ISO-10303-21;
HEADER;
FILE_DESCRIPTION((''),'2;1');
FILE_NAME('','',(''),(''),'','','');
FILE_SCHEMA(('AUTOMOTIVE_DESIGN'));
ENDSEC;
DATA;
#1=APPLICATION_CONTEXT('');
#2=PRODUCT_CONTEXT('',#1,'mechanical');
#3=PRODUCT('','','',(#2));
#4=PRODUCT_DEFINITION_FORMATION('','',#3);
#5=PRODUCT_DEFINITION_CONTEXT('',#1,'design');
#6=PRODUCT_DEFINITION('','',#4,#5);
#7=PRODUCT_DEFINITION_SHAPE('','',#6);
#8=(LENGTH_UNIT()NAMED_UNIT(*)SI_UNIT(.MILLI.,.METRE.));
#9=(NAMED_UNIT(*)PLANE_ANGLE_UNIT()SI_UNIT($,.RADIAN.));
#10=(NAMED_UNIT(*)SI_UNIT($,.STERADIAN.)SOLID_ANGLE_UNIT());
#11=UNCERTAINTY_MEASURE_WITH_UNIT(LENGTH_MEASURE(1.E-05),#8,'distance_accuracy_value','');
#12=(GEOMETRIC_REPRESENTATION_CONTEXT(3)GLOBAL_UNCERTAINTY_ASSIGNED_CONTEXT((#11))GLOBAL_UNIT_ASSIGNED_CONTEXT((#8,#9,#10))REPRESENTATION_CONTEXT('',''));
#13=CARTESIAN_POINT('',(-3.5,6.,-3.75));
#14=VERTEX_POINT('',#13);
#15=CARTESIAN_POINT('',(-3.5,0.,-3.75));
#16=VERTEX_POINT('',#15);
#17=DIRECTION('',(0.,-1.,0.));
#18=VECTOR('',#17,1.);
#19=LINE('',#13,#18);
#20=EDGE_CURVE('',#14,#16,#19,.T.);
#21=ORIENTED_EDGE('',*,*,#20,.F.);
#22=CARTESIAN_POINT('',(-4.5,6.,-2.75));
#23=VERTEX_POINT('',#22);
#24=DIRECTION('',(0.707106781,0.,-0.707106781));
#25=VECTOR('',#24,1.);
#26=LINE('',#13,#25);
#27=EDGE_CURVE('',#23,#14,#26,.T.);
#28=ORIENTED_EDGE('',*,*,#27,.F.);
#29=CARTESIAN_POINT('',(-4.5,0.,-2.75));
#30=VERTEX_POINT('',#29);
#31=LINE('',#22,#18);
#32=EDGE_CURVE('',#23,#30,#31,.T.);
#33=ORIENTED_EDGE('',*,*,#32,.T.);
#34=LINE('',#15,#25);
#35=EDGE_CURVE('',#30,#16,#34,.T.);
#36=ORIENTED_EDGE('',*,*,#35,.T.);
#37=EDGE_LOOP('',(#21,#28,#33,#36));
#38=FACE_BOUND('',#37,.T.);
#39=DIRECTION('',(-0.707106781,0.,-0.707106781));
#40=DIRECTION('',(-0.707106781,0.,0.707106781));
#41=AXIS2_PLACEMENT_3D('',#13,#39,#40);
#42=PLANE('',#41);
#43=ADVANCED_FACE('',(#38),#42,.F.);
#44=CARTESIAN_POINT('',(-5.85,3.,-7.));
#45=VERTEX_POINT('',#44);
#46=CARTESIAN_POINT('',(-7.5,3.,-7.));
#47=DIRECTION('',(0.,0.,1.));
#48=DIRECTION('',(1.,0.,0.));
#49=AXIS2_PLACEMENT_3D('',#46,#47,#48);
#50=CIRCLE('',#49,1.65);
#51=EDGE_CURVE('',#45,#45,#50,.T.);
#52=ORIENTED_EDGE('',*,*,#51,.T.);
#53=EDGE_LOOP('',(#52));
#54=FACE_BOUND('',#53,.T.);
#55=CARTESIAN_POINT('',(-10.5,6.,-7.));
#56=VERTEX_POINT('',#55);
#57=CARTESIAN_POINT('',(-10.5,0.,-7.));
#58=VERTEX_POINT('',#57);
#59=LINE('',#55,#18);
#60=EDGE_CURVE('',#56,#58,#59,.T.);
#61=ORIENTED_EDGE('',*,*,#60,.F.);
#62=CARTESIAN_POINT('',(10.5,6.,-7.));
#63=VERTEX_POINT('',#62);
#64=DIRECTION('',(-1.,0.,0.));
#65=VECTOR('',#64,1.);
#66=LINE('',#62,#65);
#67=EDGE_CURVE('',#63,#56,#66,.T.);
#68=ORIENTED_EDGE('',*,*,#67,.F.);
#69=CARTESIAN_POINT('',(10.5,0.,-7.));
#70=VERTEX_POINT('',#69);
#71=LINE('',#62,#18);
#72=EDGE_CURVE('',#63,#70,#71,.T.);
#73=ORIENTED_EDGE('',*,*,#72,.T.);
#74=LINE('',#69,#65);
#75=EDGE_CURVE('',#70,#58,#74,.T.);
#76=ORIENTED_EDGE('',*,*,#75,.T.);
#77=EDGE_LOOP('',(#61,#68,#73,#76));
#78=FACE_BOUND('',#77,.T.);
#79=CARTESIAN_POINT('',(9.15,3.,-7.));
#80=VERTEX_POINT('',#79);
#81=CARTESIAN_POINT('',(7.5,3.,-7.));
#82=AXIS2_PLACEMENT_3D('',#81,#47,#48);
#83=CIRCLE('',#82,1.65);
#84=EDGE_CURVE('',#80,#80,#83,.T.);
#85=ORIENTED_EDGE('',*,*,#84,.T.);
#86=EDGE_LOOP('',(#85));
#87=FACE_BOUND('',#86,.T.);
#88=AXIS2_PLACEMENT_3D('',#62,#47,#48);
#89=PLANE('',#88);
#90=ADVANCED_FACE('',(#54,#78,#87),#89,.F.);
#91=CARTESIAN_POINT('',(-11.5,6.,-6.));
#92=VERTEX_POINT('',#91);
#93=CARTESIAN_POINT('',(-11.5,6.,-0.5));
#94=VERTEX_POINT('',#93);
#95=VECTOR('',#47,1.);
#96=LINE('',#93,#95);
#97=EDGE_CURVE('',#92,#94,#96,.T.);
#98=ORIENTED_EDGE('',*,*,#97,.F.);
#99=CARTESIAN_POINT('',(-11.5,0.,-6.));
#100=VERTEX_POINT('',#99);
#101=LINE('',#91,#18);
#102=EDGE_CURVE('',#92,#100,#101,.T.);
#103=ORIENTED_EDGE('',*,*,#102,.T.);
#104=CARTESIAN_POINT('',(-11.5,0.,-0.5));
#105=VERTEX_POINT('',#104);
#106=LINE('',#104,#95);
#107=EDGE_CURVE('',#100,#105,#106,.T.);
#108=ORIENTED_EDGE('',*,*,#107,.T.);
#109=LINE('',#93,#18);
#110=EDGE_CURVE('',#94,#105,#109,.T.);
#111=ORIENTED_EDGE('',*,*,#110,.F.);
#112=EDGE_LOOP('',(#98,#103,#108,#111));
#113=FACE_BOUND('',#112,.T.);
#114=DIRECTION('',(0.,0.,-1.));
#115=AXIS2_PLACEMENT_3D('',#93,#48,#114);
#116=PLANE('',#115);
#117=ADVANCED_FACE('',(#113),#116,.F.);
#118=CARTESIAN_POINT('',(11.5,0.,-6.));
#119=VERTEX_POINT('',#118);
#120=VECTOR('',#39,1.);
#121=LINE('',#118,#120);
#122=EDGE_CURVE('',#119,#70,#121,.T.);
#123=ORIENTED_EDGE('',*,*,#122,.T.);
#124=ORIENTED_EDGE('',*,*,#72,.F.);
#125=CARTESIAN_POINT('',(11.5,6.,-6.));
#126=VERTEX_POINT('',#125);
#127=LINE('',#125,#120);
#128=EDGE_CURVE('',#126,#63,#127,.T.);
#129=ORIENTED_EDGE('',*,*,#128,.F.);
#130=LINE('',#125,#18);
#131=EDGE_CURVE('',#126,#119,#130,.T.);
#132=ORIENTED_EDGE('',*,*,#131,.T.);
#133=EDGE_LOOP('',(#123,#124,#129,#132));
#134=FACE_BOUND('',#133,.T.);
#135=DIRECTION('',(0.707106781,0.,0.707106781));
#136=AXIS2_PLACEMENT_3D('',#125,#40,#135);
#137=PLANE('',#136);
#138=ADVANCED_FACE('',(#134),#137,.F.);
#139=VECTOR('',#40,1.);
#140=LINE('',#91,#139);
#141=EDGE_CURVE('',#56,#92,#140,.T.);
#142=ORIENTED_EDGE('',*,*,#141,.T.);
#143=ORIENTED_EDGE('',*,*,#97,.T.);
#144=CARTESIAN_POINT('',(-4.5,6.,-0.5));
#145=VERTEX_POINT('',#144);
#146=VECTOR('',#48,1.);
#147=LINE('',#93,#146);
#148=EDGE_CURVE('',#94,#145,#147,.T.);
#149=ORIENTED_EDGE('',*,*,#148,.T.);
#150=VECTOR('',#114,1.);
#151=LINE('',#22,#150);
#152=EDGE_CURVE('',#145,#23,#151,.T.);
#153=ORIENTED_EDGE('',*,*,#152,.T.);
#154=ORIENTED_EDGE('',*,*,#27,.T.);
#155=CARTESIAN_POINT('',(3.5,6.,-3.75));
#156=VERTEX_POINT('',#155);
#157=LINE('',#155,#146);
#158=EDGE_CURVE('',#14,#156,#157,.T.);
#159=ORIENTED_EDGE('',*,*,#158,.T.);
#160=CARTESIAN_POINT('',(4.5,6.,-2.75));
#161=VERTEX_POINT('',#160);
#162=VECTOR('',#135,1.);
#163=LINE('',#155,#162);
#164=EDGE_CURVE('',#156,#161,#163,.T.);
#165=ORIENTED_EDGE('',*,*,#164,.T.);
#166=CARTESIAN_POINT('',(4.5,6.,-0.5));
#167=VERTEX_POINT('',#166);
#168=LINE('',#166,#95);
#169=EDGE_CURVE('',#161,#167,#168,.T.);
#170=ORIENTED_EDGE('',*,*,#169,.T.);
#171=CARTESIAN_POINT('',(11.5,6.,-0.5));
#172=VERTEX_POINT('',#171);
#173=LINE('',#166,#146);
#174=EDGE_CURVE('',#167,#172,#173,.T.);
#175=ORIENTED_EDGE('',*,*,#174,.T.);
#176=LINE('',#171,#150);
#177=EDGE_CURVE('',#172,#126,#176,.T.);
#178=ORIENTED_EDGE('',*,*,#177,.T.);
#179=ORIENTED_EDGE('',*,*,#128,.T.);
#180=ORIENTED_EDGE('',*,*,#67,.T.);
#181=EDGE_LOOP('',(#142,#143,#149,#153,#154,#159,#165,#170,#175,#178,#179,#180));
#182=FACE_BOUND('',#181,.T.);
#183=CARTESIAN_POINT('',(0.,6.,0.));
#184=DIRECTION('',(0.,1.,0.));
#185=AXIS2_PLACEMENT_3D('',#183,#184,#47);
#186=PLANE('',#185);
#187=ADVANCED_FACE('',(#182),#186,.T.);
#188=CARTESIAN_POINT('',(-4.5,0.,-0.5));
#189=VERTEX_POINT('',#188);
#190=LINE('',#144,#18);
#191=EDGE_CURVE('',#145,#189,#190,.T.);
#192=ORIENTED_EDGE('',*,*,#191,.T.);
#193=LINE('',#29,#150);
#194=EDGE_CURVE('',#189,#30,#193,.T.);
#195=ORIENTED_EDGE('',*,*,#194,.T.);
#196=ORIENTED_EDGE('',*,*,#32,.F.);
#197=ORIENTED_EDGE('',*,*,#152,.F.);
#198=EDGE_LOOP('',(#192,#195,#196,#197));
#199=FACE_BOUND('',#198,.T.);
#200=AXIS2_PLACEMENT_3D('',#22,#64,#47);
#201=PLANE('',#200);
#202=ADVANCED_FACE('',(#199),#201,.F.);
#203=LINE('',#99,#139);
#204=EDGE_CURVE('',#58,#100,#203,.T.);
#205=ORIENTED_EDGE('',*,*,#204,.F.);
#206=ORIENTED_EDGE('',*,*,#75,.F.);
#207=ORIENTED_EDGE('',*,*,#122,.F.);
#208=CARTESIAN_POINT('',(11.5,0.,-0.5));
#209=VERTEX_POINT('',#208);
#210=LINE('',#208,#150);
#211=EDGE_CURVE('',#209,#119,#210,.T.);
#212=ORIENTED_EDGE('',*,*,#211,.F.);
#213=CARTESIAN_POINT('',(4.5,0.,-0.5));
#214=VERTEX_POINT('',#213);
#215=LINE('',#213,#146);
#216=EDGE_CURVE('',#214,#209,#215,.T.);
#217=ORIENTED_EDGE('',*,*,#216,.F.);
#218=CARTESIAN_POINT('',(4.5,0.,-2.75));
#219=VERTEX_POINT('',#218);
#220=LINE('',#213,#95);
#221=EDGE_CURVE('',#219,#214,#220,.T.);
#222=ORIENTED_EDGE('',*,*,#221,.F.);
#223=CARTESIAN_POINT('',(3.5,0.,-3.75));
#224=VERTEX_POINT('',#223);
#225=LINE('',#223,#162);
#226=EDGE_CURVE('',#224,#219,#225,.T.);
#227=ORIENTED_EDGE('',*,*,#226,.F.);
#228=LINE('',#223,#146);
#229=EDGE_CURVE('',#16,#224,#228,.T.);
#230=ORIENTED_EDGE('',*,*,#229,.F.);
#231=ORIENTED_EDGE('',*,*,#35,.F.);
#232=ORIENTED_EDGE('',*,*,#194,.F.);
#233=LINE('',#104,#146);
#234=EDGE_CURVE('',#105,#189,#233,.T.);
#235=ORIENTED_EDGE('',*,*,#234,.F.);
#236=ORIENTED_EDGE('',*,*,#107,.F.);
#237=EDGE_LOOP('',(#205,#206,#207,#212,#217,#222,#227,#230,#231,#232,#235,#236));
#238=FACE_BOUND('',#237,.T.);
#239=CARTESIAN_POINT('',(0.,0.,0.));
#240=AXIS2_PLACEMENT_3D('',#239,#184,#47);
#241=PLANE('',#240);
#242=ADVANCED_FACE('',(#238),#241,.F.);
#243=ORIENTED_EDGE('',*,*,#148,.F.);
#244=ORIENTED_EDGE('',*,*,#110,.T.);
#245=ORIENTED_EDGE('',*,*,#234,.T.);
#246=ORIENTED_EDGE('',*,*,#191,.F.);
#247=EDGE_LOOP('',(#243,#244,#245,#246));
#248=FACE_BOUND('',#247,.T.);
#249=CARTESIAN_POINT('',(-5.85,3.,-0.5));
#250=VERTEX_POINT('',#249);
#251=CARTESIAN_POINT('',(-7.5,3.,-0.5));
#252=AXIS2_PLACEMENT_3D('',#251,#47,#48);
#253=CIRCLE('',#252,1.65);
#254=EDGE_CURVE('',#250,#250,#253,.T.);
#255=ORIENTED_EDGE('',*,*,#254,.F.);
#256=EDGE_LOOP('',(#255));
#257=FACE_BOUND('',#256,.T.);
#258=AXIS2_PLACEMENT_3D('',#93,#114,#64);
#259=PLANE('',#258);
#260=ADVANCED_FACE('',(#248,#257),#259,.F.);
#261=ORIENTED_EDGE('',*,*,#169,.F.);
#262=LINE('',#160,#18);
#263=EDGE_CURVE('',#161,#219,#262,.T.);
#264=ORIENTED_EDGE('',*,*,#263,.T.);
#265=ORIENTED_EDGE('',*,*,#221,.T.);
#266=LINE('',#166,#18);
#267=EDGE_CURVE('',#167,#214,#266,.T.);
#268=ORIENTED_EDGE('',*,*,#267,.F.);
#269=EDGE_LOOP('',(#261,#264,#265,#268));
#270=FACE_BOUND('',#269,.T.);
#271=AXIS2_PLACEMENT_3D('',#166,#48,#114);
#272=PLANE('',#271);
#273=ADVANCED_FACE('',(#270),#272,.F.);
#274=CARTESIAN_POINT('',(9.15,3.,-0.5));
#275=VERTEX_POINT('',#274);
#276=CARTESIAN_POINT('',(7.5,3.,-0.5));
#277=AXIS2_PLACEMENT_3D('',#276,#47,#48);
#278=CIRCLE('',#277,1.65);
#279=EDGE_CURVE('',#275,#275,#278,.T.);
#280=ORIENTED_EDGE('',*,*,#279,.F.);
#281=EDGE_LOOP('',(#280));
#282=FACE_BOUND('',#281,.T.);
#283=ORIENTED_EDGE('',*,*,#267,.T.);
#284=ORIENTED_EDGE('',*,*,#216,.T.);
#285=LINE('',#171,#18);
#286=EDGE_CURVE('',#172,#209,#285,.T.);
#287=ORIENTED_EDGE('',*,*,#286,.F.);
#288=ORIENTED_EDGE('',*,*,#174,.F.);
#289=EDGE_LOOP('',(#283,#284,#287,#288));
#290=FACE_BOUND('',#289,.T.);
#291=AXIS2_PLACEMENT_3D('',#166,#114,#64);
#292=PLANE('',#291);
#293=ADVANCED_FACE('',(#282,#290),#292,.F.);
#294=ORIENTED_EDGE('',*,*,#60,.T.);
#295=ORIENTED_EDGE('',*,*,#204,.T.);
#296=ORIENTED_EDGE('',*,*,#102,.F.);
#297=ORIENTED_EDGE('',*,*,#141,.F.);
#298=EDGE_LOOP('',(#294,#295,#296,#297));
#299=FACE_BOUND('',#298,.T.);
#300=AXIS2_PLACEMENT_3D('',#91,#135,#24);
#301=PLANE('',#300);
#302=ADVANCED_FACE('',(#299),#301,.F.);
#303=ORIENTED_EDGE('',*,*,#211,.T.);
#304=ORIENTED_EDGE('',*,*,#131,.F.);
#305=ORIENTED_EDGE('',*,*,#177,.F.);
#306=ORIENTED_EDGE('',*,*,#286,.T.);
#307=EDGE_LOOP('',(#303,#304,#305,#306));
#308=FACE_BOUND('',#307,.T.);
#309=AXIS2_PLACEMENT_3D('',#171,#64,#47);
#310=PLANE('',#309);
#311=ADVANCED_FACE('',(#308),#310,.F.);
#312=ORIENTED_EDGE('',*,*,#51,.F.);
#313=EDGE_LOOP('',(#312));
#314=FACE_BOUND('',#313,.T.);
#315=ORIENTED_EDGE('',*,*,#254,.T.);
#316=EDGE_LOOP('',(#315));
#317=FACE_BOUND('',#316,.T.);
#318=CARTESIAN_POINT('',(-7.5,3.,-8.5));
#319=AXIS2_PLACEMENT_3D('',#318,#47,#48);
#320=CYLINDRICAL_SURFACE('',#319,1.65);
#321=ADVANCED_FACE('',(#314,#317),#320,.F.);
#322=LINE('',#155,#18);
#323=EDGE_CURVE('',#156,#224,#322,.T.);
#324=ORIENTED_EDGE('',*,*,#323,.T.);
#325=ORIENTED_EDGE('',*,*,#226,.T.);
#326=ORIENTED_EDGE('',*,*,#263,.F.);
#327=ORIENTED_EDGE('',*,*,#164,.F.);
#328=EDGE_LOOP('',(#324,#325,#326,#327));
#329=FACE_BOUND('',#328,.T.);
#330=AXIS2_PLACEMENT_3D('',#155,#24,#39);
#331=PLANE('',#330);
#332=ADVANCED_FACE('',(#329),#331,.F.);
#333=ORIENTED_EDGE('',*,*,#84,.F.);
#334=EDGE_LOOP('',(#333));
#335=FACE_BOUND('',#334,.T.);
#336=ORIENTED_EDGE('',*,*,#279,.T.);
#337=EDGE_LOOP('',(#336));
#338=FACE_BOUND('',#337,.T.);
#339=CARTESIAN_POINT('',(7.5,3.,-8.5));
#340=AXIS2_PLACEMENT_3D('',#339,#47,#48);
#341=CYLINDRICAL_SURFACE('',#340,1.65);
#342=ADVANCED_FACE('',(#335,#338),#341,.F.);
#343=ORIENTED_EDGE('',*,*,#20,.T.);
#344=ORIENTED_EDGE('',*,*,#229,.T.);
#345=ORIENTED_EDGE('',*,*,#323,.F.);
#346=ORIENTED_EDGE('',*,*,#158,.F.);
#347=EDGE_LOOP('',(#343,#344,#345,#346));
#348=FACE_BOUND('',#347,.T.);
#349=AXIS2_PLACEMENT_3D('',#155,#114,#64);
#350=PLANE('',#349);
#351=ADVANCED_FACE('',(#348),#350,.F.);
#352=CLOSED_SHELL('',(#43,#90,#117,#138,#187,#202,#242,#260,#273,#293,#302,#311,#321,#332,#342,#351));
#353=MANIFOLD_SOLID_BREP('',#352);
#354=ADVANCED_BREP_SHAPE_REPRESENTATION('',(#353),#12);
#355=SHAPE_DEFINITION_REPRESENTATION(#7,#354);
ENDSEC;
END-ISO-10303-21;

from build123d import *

# Parameters (mm, degrees)
EXTRUDE_1_DEPTH     = 6
SKETCH_2_R          = 1.65
CUT_EXTRUDE_1_DEPTH = 8


with BuildPart() as part:
    # 草图1 → 凸台-拉伸1 (new body)
    with BuildSketch(Plane(origin=(0, 0, 0), x_dir=(1, 0, 0), z_dir=(0, 1, 0))):
        Polygon((-11.5, 0.5), (-11.5, 6), (-10.5, 7), (10.5, 7), (11.5, 6), (11.5, 0.5), (4.5, 0.5), (4.5, 2.75), (3.5, 3.75), (-3.5, 3.75), (-4.5, 2.75), (-4.5, 0.5), align=None)
    extrude(amount=EXTRUDE_1_DEPTH)

    # 草图2 → 切除-拉伸1 (cut)
    with BuildSketch(Plane.XY.offset(-0.5)):
        with Locations((-7.5, 3)):
            Circle(SKETCH_2_R)
        with Locations((7.5, 3)):
            Circle(SKETCH_2_R)
    extrude(amount=-CUT_EXTRUDE_1_DEPTH, mode=Mode.SUBTRACT)


solid = part.part
